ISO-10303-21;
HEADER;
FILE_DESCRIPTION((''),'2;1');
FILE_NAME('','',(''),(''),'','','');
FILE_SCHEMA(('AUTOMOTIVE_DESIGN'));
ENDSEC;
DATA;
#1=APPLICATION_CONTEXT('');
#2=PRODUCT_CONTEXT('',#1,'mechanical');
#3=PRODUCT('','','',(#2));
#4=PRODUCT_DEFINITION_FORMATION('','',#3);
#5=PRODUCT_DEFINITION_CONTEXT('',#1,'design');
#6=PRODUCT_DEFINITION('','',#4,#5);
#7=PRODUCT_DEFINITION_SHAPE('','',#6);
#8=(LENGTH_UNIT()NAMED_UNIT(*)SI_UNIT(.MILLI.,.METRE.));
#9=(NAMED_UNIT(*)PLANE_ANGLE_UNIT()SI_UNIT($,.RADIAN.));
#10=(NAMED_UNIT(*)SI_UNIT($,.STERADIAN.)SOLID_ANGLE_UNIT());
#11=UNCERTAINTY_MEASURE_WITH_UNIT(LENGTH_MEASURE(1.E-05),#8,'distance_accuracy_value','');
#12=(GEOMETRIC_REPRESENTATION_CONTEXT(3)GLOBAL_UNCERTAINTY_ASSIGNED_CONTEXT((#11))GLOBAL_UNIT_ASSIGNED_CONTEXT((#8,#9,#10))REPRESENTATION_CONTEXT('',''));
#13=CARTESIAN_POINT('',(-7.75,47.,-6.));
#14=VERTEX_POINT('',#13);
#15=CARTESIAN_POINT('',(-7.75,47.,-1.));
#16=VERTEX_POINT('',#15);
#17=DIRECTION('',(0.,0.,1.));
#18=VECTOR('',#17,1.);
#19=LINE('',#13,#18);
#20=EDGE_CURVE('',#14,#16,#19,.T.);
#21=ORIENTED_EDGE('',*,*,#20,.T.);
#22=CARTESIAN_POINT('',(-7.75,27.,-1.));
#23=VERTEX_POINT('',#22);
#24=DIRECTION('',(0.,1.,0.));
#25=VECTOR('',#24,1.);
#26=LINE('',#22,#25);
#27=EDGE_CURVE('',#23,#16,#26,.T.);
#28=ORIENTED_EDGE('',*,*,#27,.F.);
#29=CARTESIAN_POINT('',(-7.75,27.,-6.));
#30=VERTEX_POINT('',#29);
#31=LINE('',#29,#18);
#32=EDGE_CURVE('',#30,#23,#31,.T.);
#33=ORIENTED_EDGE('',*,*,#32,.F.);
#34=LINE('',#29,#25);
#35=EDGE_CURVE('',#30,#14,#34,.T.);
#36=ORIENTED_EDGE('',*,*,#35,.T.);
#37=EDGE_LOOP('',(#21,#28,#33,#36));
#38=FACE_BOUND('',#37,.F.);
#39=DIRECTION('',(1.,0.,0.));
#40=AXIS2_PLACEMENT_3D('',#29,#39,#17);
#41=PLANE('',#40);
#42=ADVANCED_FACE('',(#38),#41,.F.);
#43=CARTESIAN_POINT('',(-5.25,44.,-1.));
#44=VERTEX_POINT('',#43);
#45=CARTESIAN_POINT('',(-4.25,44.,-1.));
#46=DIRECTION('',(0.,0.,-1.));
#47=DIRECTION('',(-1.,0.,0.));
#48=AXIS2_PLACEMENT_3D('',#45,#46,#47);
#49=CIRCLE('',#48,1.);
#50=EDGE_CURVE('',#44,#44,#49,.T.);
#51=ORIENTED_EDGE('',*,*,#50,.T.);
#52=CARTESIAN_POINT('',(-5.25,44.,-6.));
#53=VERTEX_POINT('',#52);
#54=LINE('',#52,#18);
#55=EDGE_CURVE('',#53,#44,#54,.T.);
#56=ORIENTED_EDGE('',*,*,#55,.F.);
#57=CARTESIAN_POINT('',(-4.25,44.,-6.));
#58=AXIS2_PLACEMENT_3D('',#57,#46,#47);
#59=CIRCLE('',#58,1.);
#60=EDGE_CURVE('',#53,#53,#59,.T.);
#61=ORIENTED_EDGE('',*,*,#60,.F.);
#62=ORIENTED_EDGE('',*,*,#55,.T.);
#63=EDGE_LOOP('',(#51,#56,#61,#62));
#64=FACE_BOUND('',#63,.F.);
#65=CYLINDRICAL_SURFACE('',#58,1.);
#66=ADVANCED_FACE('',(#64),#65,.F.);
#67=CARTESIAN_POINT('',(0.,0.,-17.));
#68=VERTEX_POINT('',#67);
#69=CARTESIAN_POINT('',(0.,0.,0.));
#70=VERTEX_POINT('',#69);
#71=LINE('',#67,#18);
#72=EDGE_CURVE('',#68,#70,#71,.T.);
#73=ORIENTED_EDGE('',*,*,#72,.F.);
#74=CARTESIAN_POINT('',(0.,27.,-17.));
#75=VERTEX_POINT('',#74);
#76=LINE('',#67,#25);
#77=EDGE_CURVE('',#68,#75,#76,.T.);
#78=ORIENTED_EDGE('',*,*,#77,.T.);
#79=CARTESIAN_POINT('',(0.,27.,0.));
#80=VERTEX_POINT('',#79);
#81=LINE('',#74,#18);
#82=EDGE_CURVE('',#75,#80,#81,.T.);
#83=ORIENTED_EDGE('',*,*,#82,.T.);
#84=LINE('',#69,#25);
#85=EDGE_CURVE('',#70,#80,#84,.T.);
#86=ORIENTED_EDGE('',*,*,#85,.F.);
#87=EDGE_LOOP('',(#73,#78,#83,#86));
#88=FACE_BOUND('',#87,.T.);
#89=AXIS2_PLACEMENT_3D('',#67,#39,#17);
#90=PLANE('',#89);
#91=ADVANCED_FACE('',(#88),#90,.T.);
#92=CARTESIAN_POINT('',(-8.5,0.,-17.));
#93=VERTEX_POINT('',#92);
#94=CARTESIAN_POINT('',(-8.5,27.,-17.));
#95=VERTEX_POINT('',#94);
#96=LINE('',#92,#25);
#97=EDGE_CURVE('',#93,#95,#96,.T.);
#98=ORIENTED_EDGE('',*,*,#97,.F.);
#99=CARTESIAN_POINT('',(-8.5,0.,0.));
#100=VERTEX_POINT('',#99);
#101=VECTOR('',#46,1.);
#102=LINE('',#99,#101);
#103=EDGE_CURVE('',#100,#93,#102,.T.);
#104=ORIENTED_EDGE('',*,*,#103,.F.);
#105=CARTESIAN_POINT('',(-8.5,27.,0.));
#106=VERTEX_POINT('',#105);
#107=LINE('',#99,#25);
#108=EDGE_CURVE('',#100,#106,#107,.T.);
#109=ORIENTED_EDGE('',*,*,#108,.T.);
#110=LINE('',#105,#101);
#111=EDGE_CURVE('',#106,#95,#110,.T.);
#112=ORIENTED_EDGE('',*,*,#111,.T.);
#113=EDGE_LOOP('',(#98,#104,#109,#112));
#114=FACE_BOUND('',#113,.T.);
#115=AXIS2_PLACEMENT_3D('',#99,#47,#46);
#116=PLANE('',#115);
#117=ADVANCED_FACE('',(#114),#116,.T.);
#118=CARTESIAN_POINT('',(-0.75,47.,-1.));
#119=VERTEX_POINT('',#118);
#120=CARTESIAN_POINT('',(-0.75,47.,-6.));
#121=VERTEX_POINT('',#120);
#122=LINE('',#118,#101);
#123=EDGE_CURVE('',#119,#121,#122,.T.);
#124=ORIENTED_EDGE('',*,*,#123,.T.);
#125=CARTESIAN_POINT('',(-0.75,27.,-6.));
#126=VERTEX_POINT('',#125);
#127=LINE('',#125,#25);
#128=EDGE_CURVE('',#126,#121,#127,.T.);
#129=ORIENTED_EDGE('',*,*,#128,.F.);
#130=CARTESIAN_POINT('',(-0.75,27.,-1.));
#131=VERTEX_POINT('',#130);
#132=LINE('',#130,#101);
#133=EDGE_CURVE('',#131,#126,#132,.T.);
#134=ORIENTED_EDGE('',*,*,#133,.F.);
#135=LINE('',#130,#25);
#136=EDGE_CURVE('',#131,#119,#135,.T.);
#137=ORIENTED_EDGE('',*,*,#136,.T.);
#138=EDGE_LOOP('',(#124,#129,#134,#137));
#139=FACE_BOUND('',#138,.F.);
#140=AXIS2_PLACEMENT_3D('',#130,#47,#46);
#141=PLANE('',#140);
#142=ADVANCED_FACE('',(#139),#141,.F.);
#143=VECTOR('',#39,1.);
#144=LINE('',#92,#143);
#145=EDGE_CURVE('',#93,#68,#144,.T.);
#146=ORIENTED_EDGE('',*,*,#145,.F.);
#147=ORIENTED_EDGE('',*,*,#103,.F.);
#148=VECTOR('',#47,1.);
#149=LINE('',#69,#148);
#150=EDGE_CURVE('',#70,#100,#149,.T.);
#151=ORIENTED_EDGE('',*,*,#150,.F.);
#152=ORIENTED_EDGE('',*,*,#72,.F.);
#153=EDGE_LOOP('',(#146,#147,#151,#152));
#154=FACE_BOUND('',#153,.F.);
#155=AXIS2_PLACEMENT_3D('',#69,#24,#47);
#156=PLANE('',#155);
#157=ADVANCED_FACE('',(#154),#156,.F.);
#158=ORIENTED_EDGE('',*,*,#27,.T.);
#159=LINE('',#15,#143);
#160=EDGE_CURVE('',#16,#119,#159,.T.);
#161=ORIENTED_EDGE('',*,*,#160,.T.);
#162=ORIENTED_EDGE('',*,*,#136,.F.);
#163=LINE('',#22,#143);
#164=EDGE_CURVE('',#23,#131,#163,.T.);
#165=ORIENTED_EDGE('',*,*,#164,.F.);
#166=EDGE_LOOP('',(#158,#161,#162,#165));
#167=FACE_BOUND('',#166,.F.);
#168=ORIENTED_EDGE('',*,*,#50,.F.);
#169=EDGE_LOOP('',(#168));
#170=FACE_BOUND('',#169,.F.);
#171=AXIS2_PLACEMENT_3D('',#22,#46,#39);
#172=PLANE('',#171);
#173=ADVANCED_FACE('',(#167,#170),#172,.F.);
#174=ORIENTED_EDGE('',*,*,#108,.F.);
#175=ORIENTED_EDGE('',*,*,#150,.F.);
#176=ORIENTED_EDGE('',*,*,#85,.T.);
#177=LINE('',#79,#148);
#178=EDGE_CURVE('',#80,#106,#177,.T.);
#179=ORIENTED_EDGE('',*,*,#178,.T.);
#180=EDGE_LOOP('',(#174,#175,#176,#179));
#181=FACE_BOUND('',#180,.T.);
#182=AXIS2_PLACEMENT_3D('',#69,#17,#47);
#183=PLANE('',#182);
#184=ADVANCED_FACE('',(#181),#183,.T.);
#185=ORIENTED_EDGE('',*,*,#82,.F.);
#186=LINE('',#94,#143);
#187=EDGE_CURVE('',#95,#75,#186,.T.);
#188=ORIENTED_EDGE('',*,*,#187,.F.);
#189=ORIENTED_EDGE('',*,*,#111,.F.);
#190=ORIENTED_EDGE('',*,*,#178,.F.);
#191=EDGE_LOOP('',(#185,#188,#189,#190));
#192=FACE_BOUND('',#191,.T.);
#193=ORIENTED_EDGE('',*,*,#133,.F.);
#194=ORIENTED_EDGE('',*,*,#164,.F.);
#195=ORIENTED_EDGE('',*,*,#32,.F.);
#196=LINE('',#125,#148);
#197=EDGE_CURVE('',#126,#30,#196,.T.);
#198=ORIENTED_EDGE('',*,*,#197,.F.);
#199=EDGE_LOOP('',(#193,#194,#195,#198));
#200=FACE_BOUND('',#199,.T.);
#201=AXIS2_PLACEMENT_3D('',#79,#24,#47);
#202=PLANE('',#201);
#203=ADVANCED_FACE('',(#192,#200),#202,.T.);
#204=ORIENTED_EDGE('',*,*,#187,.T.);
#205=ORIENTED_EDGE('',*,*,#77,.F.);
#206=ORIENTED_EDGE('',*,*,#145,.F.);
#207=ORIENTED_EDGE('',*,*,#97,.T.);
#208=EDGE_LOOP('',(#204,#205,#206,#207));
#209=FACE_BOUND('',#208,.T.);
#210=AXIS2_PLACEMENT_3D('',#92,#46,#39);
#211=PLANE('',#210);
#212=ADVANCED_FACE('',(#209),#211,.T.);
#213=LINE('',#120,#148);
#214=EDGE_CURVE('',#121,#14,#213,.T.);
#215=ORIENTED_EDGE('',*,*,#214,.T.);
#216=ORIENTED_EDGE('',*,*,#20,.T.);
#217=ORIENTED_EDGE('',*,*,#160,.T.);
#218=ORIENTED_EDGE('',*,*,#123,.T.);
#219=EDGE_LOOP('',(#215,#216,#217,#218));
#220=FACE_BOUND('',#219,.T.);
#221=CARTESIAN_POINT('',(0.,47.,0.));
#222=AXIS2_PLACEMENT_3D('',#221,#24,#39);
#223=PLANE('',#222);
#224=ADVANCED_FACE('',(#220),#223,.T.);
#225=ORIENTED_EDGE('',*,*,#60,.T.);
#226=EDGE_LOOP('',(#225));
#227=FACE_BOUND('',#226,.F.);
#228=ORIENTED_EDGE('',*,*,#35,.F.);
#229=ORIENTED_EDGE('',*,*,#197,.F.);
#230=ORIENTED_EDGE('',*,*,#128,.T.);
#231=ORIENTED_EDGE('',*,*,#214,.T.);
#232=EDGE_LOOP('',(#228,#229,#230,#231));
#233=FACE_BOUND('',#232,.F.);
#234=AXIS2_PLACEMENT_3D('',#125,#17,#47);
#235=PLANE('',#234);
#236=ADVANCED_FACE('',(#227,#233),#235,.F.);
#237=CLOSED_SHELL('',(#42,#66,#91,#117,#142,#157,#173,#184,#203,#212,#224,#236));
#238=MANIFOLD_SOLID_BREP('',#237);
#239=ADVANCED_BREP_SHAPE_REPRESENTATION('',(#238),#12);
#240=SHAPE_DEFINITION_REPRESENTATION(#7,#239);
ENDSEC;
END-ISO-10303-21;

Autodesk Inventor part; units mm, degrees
ref_plane "YZ Plane" through (0, 0, 0) normal (1, 0, 0) x (0, 1, 0)
ref_plane "XZ Plane" through (0, 0, 0) normal (0, 1, 0) x (-1, 0, 0)
ref_plane "XY Plane" through (0, 0, 0) normal (0, 0, 1) x (1, 0, 0)
sketch "Sketch1" plane through (0, 0, 0) normal (0, 1, 0) x (-1, 0, 0)
  line L0 (0, 0) -> (8.5, 0)
  line L1 (8.5, 0) -> (8.5, -17)
  line L2 (8.5, -17) -> (0, -17)
  line L3 (0, -17) -> (0, 0)
  dimension "d0" = 8.5
  dimension "d1" = 17
extrude "Extrusion1" add sketch "Sketch1" along normal blind 27
sketch "Sketch2" plane through (0, 27, 0) normal (0, 1, 0) x (1, 0, 0)
  line L0 (-7.75, 1) -> (-0.75, 1)
  line L1 (-0.75, 1) -> (-0.75, 6)
  line L2 (-0.75, 6) -> (-7.75, 6)
  line L3 (-7.75, 6) -> (-7.75, 1)
  line L4 (-8.5, 0) -> (0, 0) projected
  line L5 (-8.5, 17) -> (-8.5, 0) projected
  dimension "d4" = 7
  dimension "d5" = 5
  dimension "d6" = 1
  dimension "d7" = 0.75
extrude "Extrusion2" add sketch "Sketch2" along normal blind 20
sketch "Sketch3" plane through (-0.75, 27, -6) normal (0, 0, -1) x (-1, 0, 0)
  circle A0 centre (3.5, 17) radius 1
  line L0 (7, 0) -> (7, 20) projected
  line L1 (-0.75, 0) -> (7.75, 0) projected
  point P0 (-0.75, -27)
  dimension "d10" = 2
  dimension "d11" = 3.5
  dimension "d12" = 17
extrude "Extrusion3" cut sketch "Sketch3" against normal through all
properties part number "support_axe_radio"
